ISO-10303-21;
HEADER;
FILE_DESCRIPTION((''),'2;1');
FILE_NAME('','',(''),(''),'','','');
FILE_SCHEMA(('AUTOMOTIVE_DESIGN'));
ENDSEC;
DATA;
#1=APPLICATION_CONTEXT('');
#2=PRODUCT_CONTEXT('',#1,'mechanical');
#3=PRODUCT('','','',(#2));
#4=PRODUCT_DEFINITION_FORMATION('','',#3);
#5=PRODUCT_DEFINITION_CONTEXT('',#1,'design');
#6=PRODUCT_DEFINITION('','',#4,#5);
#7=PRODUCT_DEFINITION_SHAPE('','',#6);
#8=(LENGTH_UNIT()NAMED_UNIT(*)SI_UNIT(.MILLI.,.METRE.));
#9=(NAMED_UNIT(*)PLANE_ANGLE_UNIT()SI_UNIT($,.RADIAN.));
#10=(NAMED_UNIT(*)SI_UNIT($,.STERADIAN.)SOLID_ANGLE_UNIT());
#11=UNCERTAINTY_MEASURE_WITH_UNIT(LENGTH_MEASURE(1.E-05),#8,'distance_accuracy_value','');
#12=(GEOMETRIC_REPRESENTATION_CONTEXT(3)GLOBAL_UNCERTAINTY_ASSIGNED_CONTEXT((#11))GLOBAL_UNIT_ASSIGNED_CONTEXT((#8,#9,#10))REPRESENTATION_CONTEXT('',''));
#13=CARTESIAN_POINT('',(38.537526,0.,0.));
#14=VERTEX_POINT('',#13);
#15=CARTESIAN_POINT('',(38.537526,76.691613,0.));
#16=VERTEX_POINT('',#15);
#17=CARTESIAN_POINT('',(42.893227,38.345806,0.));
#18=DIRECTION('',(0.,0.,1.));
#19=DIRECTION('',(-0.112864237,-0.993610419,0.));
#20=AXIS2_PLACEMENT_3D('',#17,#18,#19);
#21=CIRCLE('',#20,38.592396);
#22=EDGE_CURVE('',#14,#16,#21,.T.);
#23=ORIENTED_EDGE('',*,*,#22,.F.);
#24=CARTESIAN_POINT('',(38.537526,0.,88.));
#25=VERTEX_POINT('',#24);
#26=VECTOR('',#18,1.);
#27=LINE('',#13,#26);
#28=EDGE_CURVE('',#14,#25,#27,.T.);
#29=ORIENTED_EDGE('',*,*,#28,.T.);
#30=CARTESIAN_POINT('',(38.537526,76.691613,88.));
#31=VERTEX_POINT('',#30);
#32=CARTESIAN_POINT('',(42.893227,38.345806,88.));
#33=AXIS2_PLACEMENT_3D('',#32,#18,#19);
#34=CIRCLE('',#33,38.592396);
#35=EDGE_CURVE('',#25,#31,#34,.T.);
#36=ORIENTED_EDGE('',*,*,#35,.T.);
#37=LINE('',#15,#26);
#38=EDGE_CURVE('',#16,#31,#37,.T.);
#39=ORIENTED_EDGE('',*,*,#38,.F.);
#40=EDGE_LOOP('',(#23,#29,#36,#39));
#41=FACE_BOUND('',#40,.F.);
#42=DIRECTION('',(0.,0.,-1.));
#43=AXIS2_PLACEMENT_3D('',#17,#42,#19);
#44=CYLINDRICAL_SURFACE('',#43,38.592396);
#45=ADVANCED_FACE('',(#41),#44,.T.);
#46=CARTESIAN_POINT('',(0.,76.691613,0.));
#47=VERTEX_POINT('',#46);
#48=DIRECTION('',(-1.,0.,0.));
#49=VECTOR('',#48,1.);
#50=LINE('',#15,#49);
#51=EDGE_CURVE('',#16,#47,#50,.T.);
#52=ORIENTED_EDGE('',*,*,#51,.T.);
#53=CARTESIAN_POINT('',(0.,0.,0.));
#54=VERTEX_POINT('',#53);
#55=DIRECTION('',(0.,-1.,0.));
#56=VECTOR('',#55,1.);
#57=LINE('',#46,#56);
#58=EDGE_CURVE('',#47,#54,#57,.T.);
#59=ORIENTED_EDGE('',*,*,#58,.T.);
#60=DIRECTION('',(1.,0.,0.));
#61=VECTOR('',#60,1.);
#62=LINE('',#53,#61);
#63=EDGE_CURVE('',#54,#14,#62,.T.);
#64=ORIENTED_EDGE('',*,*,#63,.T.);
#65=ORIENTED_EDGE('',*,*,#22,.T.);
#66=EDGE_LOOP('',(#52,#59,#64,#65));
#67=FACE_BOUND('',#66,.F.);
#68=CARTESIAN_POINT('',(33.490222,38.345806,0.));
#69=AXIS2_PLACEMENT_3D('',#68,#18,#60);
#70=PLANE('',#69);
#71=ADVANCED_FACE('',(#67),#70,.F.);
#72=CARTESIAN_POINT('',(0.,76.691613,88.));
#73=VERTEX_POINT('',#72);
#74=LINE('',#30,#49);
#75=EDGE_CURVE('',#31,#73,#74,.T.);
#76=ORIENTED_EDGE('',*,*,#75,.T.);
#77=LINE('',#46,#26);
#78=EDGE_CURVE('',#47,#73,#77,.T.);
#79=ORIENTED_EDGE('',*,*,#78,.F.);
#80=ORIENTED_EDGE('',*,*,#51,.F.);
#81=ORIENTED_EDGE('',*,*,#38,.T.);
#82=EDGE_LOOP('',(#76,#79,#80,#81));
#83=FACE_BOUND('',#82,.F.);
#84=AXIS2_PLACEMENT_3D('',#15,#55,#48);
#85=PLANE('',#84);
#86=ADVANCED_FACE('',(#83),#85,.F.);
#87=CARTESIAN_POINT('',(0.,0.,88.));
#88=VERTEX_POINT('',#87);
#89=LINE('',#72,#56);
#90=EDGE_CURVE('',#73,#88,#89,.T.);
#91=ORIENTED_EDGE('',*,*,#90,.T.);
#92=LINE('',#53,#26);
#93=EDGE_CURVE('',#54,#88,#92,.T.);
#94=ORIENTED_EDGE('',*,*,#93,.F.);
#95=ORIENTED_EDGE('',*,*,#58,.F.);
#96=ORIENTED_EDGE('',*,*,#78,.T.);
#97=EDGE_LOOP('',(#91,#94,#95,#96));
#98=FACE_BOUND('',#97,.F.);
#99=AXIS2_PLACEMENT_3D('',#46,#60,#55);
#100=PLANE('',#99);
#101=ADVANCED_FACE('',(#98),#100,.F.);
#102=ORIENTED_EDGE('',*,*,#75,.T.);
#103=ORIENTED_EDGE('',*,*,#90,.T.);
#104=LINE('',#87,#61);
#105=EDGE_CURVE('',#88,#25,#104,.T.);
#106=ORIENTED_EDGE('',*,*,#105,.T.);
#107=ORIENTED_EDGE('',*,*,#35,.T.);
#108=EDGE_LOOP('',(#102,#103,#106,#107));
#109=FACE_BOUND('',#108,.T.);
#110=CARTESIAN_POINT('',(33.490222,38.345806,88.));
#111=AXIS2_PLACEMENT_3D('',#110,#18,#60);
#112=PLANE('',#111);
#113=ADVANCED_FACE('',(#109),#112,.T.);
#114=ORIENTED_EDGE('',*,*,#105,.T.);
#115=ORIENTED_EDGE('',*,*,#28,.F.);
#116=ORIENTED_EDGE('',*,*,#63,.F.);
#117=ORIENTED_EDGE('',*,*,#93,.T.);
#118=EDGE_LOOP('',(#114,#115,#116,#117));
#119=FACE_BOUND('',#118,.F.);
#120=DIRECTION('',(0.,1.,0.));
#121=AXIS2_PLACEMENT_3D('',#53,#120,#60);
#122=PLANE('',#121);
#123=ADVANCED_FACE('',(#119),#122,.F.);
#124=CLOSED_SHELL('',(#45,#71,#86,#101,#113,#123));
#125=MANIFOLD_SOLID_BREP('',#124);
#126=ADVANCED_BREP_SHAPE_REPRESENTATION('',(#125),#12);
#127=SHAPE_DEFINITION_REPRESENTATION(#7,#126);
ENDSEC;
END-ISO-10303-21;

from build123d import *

# Parameters (mm, degrees)
F0_R     = 28.4339715659
F1_DEPTH = 88


with BuildPart() as f1:
    # F0 (on Top) → F1 (new body)
    with BuildSketch(Plane.XY):
        with BuildLine():
            Line((0, 76.6916126013), (0, 0))
            Line((0, 0), (38.5375259096, 0))
            ThreePointArc((38.5375259096, 0), (81.4856227424, 38.3458063006), (38.5375259096, 76.6916126013))
            Line((38.5375259096, 76.6916126013), (0, 76.6916126013))
        make_face()
        with Locations((42.8932271898, 38.3458063006)):
            Circle(F0_R, mode=Mode.SUBTRACT)
        with Locations((42.8932271898, 38.3458063006)):
            Circle(F0_R)
    extrude(amount=F1_DEPTH)


solid = f1.part
